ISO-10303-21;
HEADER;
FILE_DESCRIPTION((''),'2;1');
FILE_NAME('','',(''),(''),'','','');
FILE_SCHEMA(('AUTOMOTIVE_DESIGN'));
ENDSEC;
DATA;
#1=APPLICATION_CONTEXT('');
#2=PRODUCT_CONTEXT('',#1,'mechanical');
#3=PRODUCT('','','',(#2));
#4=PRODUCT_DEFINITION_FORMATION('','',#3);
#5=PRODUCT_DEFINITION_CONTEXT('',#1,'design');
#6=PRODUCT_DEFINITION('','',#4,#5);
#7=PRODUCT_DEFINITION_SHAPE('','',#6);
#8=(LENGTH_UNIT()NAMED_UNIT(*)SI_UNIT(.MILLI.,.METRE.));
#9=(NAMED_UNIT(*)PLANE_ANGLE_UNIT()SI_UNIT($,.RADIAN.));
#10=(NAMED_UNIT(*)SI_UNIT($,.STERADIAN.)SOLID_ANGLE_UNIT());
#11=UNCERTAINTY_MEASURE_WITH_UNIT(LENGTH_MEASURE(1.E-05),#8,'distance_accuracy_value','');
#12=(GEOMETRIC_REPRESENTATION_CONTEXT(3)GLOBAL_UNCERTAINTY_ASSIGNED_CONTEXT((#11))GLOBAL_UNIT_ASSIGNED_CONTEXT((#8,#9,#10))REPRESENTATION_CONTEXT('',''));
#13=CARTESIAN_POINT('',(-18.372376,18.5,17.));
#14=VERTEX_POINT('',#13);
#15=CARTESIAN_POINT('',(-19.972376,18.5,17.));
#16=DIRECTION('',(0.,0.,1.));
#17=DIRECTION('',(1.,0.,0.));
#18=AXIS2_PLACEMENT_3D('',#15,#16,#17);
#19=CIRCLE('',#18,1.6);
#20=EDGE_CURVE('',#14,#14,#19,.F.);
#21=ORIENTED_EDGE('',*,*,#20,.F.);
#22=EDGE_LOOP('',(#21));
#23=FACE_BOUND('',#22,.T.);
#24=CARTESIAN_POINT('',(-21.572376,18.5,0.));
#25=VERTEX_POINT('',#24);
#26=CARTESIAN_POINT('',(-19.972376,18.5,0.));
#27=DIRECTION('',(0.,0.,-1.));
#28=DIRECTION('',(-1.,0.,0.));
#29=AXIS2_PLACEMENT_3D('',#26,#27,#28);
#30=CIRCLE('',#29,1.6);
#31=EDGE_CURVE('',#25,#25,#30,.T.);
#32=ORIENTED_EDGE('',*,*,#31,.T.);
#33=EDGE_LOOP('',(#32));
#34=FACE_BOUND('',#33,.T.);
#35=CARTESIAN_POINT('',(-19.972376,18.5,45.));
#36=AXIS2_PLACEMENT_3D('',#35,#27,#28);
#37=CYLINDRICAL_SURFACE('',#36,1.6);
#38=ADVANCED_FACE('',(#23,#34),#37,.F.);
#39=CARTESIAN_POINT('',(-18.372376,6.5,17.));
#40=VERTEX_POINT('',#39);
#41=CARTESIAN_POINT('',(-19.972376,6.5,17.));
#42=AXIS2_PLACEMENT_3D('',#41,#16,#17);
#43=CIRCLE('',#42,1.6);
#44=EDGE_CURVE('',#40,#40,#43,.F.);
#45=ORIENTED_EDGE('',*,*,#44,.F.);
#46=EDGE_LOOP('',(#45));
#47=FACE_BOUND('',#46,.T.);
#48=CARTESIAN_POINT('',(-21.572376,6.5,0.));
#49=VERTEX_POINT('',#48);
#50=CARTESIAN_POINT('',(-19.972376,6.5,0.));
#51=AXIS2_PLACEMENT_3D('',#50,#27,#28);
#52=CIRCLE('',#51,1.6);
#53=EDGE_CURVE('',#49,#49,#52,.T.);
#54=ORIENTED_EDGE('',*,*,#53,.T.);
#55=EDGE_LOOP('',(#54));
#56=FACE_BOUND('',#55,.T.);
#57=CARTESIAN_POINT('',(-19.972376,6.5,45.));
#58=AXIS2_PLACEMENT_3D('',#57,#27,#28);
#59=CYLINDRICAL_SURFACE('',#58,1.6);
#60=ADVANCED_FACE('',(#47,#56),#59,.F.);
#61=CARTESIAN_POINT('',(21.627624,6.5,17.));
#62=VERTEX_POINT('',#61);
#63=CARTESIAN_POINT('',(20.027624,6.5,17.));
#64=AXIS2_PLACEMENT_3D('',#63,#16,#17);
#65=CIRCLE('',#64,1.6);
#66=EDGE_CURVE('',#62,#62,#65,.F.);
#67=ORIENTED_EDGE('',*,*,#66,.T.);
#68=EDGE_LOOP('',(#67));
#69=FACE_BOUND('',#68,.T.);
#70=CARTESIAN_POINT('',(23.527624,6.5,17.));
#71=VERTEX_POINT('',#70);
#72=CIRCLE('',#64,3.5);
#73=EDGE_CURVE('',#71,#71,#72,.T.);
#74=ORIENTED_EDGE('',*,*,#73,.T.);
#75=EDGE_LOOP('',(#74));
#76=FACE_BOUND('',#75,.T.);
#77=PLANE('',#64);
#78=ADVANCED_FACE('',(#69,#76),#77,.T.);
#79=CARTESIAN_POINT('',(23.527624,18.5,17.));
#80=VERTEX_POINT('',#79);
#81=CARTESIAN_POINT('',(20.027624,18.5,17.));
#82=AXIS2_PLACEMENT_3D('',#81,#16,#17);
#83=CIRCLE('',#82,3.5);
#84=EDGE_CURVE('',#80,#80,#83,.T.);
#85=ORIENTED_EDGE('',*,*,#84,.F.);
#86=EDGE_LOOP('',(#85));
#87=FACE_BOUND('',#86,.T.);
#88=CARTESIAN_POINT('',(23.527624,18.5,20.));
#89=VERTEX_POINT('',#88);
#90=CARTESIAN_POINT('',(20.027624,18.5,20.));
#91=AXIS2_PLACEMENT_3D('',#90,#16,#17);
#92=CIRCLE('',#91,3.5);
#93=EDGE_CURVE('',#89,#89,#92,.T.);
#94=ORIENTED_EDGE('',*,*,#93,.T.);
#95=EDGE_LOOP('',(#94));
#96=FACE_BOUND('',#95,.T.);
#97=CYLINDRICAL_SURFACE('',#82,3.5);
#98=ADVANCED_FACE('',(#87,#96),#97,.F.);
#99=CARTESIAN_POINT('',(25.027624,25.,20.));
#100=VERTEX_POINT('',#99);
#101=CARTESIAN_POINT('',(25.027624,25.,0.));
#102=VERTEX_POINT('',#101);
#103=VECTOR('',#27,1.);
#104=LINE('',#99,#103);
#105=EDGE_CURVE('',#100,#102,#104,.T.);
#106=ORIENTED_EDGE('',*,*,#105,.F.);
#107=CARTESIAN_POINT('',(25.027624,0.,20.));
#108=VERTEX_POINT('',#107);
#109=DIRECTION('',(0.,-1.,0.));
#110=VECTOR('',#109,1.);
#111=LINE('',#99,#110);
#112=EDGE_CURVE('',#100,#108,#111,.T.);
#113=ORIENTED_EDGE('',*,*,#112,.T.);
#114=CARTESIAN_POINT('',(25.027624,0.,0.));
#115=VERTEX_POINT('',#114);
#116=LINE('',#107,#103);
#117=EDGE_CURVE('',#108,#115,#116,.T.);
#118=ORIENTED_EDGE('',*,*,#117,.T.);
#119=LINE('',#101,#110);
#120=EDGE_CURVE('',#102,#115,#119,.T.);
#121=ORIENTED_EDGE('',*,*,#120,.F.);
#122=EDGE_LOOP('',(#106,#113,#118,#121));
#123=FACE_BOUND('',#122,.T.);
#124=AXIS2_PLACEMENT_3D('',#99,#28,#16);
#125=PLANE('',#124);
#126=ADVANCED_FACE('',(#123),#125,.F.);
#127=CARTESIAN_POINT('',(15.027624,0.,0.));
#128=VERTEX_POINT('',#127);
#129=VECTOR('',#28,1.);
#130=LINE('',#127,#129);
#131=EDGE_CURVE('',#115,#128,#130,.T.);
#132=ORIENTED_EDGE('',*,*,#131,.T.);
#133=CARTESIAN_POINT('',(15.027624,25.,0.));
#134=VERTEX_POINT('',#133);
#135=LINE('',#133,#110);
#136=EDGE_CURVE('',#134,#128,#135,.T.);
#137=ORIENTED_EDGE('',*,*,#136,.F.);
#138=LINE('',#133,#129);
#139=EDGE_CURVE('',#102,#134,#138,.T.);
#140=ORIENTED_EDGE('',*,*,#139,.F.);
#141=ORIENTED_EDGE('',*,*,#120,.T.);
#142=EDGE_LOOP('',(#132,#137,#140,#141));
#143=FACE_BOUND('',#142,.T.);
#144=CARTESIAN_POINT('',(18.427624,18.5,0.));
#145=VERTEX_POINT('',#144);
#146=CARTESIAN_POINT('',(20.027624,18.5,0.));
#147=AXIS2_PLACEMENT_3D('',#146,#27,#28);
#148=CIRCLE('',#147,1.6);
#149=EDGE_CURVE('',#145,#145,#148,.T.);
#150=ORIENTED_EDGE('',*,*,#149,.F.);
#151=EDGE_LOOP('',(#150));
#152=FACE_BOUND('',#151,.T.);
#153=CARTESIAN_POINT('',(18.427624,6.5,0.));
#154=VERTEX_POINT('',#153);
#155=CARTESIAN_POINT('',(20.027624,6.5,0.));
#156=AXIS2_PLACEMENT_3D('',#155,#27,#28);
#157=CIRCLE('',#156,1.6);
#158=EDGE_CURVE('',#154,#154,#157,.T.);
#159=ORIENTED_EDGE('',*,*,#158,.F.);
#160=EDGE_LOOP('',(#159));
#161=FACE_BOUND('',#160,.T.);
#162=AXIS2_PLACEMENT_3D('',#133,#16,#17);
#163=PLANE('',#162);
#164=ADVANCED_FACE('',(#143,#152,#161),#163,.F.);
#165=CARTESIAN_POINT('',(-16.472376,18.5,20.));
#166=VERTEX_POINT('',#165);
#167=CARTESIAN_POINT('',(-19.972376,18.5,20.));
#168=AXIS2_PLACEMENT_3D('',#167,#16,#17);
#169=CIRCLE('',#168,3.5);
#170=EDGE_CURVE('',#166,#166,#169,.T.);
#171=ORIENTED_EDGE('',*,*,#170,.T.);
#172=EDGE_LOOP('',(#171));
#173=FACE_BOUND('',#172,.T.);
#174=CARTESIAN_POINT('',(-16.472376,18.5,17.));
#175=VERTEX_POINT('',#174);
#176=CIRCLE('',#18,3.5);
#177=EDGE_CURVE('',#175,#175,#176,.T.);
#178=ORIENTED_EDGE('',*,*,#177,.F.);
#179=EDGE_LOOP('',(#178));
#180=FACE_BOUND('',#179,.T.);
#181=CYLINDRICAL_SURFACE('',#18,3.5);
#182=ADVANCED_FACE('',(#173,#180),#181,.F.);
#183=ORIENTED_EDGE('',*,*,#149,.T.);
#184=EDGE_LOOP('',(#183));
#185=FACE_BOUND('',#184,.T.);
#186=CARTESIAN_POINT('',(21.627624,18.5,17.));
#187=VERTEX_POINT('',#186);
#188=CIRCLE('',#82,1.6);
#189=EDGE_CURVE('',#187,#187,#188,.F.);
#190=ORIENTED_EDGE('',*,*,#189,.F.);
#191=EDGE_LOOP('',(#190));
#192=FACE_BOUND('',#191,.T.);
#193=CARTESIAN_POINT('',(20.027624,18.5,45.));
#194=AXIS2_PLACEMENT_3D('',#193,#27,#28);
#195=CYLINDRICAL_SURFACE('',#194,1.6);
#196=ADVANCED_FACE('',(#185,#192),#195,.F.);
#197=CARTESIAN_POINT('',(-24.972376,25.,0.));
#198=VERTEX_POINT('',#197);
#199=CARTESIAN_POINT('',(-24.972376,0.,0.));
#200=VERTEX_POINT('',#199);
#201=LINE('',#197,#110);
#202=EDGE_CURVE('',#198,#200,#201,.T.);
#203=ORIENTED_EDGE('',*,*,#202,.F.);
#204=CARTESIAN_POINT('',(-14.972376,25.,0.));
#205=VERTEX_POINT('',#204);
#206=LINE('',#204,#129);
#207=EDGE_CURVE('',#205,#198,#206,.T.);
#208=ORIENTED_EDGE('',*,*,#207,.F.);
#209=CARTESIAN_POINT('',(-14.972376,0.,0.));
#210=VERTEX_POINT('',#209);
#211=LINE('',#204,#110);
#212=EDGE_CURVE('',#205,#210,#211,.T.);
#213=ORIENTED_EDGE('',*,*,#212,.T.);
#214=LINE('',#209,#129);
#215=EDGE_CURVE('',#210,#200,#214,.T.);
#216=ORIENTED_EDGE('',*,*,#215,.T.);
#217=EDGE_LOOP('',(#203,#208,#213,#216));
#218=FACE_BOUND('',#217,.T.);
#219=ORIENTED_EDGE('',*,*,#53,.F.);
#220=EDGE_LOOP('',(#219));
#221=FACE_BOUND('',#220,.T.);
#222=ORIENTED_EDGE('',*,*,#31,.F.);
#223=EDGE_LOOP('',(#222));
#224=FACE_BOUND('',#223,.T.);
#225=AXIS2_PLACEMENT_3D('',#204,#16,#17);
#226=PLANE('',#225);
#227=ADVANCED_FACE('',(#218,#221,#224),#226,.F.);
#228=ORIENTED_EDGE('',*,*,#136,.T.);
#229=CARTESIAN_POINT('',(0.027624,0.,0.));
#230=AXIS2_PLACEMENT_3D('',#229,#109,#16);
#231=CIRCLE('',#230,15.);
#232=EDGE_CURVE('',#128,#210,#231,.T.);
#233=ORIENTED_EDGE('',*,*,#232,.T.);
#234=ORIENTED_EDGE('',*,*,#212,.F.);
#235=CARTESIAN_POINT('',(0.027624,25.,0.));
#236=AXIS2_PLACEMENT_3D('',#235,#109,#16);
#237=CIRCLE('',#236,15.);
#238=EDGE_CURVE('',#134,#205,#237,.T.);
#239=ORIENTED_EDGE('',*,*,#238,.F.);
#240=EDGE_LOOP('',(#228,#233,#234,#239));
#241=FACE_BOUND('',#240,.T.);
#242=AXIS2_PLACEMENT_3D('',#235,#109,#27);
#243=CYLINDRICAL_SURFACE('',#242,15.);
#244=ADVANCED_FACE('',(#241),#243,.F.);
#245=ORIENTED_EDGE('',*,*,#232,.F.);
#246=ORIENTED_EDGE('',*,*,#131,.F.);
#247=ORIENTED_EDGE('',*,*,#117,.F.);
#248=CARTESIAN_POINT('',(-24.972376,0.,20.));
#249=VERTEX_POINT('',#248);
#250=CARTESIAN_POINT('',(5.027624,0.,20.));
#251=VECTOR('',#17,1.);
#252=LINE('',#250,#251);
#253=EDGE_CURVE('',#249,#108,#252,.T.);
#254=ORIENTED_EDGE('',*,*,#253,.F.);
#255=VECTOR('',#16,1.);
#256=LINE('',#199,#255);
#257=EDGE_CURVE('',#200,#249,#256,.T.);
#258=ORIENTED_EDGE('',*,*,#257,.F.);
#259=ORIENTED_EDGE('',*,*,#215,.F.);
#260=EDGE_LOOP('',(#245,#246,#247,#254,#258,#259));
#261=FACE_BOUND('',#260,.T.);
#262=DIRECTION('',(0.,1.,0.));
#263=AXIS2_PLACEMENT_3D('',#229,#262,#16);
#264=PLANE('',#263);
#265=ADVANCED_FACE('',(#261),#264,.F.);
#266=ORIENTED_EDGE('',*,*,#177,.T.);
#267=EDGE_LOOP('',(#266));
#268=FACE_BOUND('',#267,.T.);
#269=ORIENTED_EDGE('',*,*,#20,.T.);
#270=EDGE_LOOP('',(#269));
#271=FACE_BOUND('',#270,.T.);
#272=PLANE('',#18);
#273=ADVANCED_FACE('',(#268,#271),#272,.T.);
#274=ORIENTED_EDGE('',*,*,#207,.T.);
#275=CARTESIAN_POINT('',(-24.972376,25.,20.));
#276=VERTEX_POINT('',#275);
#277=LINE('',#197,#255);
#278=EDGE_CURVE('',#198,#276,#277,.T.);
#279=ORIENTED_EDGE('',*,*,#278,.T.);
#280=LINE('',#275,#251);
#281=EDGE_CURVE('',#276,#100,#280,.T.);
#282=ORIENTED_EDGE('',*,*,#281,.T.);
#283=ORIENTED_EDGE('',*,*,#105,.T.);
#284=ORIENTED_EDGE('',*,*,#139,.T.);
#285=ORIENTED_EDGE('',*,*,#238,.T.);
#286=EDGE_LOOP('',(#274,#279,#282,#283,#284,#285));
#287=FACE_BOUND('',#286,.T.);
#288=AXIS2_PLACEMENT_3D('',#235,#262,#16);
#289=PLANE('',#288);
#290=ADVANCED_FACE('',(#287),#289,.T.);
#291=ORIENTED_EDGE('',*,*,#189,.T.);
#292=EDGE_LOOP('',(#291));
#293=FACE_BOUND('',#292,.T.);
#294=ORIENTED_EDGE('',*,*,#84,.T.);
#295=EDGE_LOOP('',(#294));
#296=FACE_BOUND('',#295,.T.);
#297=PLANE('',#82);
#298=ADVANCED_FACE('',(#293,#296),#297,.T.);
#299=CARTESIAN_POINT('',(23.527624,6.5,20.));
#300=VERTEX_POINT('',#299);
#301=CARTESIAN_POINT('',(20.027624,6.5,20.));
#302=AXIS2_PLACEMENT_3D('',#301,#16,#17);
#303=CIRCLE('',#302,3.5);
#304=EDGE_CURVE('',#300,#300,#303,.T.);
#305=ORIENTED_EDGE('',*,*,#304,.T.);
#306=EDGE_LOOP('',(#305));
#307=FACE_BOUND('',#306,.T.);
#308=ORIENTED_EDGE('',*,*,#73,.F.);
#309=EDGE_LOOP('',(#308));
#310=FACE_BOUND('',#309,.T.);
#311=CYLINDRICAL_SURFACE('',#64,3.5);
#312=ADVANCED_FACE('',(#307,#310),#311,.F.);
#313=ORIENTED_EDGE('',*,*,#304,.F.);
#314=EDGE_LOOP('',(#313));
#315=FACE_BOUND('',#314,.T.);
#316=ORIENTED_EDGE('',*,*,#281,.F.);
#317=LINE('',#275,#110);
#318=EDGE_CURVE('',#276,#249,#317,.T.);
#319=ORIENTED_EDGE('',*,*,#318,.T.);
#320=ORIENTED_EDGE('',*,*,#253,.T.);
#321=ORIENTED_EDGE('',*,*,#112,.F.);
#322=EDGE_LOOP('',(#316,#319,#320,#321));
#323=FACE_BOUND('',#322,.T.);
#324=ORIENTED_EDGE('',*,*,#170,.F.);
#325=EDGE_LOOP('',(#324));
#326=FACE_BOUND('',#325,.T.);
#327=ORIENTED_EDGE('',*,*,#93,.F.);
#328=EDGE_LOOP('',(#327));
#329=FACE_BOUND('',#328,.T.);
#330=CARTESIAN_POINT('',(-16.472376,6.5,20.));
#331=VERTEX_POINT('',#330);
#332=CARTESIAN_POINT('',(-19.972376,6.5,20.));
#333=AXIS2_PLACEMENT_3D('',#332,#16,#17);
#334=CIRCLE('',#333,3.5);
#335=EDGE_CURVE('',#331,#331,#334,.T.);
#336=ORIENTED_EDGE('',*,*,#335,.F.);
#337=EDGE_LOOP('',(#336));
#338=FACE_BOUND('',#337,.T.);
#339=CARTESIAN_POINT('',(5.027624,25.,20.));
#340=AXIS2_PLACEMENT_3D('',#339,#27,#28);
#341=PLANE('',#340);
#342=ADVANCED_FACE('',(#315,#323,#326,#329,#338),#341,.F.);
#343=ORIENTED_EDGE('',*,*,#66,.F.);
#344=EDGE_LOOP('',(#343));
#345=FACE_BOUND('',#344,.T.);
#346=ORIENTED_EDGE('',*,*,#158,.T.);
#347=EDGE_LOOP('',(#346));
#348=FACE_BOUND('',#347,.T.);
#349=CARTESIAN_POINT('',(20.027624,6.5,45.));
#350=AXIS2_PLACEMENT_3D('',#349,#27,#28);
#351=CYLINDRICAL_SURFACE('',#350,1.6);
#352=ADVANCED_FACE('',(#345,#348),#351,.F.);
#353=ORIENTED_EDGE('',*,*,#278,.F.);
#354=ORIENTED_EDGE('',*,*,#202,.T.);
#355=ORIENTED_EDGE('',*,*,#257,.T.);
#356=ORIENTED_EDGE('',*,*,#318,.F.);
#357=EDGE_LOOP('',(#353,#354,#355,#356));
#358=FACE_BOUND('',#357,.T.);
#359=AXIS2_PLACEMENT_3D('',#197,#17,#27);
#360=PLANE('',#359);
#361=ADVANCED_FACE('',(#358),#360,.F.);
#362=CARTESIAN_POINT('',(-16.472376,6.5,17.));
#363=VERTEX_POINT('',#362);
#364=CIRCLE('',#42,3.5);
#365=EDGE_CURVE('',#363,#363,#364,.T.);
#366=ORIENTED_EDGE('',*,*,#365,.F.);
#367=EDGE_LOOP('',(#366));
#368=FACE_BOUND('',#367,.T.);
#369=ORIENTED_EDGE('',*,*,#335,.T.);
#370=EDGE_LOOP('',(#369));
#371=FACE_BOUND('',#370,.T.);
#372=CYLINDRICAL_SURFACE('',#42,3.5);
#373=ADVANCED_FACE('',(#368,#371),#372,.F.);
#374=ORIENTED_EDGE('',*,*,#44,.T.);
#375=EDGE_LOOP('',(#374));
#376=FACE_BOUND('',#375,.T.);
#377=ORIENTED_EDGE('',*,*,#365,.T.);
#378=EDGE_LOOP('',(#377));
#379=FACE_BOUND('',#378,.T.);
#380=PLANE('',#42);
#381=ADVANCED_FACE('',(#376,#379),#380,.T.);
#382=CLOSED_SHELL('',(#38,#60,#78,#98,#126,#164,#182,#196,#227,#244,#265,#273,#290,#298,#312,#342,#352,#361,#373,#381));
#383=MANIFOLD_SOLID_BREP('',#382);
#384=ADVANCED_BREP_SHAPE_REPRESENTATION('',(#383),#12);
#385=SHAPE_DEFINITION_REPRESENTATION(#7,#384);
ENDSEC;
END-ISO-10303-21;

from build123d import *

# Parameters (mm, degrees)
BOSS_EXTRUDE1_DEPTH = 25
SKETCH2_R           = 4
CUT_EXTRUDE1_DEPTH  = 31
SKETCH3_R           = 1.6
CUT_EXTRUDE2_DEPTH  = 46
SKETCH4_W           = 10
SKETCH4_H           = 25
CUT_EXTRUDE3_DEPTH  = 26
SKETCH5_R           = 3.5
CUT_EXTRUDE4_DEPTH  = 3


with BuildPart() as part:
    # Sketch1 → Boss-Extrude1 (new body)
    with BuildSketch(Plane(origin=(0, 0, 0), x_dir=(1, 0, 0), z_dir=(0, 1, 0))):
        with BuildLine():
            Line((-14.972375691, 0), (-24.972375691, 0))
            Line((-24.972375691, 0), (-24.972375691, -20))
            Line((-24.972375691, -20), (-4.972375691, -20))
            Line((-4.972375691, -20), (-4.972375691, -45))
            Line((-4.972375691, -45), (5.027624309, -45))
            Line((5.027624309, -45), (5.027624309, -20))
            Line((5.027624309, -20), (25.027624309, -20))
            Line((25.027624309, -20), (25.027624309, 0))
            Line((25.027624309, 0), (15.027624309, 0))
            ThreePointArc((15.027624309, 0), (0.027624309, -15), (-14.972375691, 0))
        make_face()
    extrude(amount=BOSS_EXTRUDE1_DEPTH)

    # Sketch2 → Cut-Extrude1 (cut, through all)
    with BuildSketch(Plane.ZY.offset(4.972375691)):
        with Locations((36, 12.5)):
            Circle(SKETCH2_R)
    extrude(amount=-CUT_EXTRUDE1_DEPTH, mode=Mode.SUBTRACT)

    # Sketch3 → Cut-Extrude2 (cut, through all)
    with BuildSketch(Plane(origin=(0, 0, 0), x_dir=(-1, 0, 0), z_dir=(0, 0, -1))):
        with Locations((-20.027624309, 6.5)):
            Circle(SKETCH3_R)
        with Locations((-20.027624309, 18.5)):
            Circle(SKETCH3_R)
        with Locations((19.972375691, 6.5)):
            Circle(SKETCH3_R)
        with Locations((19.972375691, 18.5)):
            Circle(SKETCH3_R)
    extrude(amount=-CUT_EXTRUDE2_DEPTH, mode=Mode.SUBTRACT)

    # Sketch4 → Cut-Extrude3 (cut, through all)
    with BuildSketch(Plane(origin=(0, 25, 0), x_dir=(1, 0, 0), z_dir=(0, 1, 0))):
        with Locations((0.027624309, -32.5)):
            Rectangle(SKETCH4_W, SKETCH4_H)
    extrude(amount=-CUT_EXTRUDE3_DEPTH, mode=Mode.SUBTRACT)

    # Sketch5 → Cut-Extrude4 (cut)
    with BuildSketch(Plane.XY.offset(20)):
        with Locations((20.027624309, 18.5)):
            Circle(SKETCH5_R)
        with Locations((20.027624309, 6.5)):
            Circle(SKETCH5_R)
        with Locations((-19.972375691, 6.5)):
            Circle(SKETCH5_R)
        with Locations((-19.972375691, 18.5)):
            Circle(SKETCH5_R)
    extrude(amount=-CUT_EXTRUDE4_DEPTH, mode=Mode.SUBTRACT)


solid = part.part
